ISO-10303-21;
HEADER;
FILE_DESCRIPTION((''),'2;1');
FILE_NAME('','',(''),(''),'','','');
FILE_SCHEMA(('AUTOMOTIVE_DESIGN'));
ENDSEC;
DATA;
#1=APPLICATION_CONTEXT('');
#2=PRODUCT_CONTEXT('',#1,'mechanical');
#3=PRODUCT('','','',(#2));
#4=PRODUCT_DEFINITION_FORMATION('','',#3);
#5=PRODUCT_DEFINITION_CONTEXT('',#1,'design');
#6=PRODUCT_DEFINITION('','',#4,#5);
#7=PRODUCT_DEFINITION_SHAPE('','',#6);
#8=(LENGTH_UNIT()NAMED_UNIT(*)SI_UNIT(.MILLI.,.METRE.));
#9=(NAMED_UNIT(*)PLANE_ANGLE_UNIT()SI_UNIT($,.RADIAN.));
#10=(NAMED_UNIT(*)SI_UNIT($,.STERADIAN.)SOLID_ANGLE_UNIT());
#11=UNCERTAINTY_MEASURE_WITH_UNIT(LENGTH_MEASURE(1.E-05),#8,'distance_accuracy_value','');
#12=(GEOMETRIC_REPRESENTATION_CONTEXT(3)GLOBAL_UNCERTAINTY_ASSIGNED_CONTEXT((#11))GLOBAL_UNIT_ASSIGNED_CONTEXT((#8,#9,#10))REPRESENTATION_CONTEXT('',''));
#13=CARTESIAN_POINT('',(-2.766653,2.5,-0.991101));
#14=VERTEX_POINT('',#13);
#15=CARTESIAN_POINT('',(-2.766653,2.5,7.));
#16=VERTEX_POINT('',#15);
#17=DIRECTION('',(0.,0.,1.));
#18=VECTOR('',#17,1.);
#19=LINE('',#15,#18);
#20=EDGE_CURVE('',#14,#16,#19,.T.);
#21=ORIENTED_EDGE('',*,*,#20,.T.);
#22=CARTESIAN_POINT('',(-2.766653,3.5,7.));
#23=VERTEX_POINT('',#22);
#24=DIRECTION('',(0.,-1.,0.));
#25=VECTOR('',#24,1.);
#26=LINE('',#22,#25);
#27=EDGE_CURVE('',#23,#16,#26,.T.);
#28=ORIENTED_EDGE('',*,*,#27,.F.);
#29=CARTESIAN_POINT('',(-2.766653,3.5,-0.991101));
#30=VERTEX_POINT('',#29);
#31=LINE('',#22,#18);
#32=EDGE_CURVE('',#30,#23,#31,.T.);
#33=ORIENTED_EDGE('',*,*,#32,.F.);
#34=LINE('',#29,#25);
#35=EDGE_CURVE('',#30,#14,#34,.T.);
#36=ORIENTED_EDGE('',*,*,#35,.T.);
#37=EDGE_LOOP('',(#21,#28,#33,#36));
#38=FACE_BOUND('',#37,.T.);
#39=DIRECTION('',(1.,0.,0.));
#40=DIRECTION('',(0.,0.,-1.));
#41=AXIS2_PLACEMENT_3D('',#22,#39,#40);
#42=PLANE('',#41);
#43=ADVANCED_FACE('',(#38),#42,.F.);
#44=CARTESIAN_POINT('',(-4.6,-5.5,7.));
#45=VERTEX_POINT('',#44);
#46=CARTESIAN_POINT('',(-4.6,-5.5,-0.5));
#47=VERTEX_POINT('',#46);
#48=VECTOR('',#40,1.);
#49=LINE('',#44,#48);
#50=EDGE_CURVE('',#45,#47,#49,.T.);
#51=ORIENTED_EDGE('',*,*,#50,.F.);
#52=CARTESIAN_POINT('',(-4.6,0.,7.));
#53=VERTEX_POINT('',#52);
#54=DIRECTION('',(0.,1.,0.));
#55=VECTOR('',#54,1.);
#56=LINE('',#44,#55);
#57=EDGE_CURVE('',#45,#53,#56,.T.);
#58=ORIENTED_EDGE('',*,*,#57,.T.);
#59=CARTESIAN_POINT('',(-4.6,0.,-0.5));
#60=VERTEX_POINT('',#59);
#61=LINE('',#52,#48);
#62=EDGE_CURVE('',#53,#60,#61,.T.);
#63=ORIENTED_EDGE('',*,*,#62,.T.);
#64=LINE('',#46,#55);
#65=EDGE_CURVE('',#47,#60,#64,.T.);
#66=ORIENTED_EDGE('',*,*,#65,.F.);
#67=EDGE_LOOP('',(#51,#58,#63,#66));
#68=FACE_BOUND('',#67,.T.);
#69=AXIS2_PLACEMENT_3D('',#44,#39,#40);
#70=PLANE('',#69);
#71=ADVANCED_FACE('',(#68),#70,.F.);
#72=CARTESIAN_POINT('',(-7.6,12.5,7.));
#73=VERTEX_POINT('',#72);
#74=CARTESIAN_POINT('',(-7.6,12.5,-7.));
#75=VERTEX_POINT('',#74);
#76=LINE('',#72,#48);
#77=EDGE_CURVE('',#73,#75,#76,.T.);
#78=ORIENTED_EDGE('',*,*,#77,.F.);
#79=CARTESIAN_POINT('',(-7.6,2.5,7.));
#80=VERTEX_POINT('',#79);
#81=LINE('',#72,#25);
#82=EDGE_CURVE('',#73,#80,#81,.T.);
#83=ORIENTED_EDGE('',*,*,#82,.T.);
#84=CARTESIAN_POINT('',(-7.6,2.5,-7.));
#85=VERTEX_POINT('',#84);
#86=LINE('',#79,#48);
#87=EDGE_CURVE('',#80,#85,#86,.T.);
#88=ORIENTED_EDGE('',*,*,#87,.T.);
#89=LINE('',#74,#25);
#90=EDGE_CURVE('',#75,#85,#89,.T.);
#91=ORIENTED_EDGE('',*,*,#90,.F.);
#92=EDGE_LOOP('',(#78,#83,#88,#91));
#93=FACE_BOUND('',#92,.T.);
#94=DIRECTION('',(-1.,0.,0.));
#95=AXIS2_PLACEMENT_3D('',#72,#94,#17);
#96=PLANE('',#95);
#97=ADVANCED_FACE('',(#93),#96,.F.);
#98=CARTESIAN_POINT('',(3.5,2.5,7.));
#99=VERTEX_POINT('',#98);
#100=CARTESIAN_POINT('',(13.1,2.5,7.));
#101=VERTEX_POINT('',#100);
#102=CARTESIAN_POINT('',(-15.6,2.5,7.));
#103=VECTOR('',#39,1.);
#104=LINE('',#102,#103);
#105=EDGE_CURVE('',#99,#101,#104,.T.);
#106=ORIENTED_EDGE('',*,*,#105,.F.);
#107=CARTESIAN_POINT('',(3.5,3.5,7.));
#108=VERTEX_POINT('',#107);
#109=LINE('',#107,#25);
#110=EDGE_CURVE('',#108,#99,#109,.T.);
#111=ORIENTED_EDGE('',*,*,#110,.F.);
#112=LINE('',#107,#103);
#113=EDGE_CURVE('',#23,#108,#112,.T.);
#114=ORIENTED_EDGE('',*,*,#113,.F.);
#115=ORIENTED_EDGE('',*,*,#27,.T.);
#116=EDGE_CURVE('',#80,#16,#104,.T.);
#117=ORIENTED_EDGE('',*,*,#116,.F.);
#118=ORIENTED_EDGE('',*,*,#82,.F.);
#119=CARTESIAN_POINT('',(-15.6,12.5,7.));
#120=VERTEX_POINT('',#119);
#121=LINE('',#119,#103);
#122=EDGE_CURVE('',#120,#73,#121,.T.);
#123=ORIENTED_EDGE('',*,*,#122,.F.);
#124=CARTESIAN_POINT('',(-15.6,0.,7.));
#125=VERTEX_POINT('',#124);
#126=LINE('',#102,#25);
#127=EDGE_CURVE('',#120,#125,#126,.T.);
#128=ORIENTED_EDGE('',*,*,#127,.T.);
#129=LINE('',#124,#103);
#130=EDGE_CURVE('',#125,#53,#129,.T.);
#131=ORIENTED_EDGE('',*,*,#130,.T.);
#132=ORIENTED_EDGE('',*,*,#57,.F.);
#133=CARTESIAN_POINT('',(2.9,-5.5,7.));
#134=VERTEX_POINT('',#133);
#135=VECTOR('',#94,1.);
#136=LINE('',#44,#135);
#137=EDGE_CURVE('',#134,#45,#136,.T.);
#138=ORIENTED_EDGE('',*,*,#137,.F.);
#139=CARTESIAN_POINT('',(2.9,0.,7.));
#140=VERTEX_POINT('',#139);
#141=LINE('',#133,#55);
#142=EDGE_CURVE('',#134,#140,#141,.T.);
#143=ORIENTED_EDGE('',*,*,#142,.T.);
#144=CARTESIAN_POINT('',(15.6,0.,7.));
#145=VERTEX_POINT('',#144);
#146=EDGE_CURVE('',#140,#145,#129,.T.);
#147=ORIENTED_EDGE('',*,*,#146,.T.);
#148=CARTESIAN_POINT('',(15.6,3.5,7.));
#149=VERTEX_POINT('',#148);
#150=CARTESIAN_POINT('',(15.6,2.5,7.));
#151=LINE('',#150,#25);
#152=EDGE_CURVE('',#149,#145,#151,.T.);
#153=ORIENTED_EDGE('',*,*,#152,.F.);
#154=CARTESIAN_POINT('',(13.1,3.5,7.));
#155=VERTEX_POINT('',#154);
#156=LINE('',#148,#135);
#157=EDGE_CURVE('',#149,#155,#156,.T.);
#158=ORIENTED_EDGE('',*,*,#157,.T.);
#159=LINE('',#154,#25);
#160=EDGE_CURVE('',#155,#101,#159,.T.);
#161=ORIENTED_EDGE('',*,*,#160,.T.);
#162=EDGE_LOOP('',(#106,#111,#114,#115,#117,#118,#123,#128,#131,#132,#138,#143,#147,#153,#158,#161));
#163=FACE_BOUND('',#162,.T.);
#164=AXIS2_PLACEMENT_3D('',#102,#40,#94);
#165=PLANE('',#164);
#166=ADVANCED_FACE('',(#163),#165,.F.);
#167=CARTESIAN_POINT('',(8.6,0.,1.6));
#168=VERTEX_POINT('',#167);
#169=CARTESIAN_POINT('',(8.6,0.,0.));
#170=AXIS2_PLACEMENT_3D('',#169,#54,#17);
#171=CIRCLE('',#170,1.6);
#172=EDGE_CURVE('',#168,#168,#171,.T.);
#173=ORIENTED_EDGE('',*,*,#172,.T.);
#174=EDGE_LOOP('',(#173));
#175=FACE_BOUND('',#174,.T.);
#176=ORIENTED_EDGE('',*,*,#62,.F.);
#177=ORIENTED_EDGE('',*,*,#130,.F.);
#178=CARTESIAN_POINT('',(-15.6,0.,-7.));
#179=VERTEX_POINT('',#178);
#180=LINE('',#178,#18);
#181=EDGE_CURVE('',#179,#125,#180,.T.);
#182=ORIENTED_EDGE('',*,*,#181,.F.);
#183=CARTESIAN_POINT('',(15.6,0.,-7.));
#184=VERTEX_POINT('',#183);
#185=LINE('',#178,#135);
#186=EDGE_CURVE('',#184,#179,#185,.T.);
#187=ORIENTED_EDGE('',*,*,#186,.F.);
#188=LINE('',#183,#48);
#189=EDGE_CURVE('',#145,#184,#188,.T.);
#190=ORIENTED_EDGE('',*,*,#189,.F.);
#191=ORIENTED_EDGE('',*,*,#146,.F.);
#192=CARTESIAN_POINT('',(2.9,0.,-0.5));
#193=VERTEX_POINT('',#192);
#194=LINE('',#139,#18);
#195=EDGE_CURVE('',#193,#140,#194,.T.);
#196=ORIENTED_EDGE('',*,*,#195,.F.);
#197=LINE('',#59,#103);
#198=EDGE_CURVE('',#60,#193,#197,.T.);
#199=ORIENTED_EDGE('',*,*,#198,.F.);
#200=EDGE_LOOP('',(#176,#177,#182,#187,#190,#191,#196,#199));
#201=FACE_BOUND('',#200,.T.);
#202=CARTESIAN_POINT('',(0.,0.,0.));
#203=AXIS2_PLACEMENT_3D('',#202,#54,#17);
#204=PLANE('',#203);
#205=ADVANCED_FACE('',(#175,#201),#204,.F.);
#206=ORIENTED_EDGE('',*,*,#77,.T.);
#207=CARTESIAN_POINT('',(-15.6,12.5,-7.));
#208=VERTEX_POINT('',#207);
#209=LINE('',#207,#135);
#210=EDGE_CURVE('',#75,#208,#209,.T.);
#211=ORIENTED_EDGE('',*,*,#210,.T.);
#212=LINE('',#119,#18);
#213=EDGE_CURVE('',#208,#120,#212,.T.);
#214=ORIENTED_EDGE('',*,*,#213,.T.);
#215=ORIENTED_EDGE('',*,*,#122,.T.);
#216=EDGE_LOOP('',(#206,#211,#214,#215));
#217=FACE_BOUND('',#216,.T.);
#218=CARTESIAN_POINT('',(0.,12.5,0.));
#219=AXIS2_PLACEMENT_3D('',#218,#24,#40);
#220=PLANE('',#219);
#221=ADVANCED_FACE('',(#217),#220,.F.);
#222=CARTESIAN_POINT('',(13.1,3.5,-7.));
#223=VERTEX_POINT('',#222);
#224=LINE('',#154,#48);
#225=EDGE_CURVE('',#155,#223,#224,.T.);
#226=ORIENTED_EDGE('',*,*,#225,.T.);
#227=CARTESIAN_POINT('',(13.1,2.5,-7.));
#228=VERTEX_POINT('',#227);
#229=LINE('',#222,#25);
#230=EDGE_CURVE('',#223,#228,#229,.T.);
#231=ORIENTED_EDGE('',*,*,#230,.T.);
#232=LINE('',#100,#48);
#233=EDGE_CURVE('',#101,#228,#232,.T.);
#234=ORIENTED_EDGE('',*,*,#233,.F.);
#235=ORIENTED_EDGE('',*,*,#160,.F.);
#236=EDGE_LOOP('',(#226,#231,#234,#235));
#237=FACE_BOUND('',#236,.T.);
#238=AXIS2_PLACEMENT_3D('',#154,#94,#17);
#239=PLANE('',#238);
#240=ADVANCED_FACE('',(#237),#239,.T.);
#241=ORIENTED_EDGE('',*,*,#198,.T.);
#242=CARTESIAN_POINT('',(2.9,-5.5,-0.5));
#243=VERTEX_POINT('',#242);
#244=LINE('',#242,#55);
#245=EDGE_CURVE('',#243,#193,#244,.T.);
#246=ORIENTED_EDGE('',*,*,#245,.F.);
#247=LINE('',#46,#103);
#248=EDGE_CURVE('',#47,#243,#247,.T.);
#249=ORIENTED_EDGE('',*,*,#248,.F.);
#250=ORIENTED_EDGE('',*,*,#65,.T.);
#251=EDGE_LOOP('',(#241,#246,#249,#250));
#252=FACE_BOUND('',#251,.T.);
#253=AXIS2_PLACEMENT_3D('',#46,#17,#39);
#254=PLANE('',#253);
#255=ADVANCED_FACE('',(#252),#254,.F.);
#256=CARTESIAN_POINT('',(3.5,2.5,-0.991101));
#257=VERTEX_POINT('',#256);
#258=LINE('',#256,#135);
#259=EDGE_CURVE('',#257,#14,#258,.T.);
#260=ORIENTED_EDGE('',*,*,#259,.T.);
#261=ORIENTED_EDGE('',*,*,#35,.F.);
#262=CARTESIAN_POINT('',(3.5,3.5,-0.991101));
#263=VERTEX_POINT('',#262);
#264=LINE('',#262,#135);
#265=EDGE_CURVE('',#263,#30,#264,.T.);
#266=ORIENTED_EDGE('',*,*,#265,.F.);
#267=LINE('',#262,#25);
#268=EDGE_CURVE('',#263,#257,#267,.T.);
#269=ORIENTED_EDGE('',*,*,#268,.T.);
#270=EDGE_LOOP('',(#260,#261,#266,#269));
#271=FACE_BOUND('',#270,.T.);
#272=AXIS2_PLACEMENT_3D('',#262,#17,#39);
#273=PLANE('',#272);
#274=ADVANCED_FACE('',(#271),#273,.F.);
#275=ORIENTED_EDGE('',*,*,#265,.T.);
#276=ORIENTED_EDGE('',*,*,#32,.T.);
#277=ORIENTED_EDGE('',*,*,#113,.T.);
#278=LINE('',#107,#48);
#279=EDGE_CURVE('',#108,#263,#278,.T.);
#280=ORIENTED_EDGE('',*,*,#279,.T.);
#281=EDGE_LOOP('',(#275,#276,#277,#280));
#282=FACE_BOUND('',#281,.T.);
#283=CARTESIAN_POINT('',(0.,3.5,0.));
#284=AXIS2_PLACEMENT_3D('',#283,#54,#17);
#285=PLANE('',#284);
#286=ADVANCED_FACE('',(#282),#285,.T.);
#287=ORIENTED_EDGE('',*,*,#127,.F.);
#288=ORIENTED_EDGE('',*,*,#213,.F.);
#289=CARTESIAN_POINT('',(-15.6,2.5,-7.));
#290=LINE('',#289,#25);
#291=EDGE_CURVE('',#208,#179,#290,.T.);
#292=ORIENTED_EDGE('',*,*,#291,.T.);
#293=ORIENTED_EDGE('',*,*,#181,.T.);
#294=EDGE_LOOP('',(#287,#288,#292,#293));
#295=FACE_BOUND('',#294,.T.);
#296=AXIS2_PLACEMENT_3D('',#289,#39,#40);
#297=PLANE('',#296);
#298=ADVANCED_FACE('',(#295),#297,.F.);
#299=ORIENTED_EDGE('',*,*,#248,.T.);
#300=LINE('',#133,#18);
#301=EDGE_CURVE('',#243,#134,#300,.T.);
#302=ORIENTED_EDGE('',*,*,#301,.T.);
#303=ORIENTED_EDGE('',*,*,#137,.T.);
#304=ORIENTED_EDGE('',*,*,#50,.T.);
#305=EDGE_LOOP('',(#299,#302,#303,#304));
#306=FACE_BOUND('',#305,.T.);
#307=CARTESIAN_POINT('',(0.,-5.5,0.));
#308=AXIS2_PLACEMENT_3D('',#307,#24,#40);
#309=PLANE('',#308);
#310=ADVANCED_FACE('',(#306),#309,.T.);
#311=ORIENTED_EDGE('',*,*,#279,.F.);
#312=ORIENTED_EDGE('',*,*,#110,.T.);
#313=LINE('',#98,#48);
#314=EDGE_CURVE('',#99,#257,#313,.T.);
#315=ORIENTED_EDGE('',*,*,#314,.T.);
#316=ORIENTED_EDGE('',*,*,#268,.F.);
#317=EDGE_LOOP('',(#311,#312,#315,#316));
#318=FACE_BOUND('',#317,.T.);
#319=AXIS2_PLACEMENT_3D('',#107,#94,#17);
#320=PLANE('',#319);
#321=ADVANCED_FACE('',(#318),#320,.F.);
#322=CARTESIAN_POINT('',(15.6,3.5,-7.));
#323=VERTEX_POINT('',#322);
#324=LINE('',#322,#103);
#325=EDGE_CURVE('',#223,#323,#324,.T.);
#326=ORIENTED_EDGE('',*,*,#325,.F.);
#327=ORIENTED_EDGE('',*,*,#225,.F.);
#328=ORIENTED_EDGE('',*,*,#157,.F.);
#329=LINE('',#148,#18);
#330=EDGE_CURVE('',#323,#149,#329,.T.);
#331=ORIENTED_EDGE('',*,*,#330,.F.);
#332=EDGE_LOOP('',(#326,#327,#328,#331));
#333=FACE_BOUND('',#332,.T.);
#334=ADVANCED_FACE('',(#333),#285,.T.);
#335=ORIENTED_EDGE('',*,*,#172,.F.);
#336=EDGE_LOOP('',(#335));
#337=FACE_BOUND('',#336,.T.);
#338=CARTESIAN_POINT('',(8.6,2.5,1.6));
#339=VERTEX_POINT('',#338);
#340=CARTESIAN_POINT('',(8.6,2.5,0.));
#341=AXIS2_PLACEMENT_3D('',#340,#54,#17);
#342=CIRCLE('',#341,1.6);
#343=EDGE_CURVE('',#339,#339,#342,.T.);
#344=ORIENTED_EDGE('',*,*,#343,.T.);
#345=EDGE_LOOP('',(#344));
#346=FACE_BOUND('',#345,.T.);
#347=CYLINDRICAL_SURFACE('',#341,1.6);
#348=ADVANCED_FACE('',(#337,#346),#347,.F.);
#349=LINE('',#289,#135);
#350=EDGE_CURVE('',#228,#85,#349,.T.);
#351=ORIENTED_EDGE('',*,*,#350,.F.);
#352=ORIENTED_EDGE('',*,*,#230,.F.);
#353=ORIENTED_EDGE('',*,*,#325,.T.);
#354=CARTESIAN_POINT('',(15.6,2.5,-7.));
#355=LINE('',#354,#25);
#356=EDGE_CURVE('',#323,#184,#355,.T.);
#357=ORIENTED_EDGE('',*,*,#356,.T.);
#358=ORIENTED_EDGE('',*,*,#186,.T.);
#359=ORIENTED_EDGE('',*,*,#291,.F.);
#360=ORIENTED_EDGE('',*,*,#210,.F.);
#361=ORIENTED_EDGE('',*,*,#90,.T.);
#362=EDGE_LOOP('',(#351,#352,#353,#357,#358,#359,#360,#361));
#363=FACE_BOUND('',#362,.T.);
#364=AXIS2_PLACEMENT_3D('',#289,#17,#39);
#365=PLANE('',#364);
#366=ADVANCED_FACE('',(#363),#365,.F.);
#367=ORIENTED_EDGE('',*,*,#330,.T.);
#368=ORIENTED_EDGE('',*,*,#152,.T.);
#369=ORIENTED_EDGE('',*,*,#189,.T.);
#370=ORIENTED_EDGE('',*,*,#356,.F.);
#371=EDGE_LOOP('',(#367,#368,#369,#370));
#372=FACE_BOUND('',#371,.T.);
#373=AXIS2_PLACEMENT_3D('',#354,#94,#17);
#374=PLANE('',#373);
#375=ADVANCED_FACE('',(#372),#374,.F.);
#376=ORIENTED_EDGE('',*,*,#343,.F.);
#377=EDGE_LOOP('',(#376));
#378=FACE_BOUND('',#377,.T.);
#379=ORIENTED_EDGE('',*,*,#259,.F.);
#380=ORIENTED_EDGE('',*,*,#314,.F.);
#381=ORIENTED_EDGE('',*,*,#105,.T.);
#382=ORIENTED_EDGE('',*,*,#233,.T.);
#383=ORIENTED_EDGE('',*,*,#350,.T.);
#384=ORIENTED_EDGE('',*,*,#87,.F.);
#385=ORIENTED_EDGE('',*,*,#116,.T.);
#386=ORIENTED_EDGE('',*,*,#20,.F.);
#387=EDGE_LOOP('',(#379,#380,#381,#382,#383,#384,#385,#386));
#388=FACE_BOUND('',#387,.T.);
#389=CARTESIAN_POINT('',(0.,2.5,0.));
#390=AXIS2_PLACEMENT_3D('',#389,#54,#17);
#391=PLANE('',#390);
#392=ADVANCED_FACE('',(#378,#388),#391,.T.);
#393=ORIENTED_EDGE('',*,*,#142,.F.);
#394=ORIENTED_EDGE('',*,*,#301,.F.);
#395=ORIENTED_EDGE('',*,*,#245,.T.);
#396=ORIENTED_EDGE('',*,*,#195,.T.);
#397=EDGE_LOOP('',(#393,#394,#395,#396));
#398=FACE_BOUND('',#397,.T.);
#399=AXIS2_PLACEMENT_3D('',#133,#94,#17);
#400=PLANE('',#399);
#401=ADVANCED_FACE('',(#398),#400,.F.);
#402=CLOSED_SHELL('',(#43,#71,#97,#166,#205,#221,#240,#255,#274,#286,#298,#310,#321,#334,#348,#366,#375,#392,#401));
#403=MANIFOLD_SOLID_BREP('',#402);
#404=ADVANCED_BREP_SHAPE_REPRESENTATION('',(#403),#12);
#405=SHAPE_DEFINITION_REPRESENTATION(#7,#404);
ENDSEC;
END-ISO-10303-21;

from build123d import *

# Parameters (mm, degrees)
SKETCH_1_W         = 31.2
SKETCH_1_H         = 14
EXTRUDE_1_DEPTH    = 2.5
SKETCH_2_W         = 8
SKETCH_2_H         = 14
EXTRUDE_2_DEPTH    = 10
SKETCH_3_W         = 7.5
SKETCH_3_H         = 7.5
EXTRUDE_3_DEPTH    = 5.5
HOLE_WIZARD_M3_1_D = 3.2
SKETCH_9_W         = 6.266652583
SKETCH_9_H         = 7.99110138
EXTRUDE_7_DEPTH    = 1
SKETCH_10_W        = 2.5
SKETCH_10_H        = 14
EXTRUDE_8_DEPTH    = 1


with BuildPart() as part:
    # 草图1 → 凸台-拉伸1 (new body)
    with BuildSketch(Plane(origin=(0, 0, 0), x_dir=(1, 0, 0), z_dir=(0, 1, 0))):
        Rectangle(SKETCH_1_W, SKETCH_1_H)
    extrude(amount=EXTRUDE_1_DEPTH)

    # 草图2 → 凸台-拉伸2 (add)
    with BuildSketch(Plane(origin=(0, 2.5, 0), x_dir=(1, 0, 0), z_dir=(0, 1, 0))):
        with Locations((-11.6, 0)):
            Rectangle(SKETCH_2_W, SKETCH_2_H)
    extrude(amount=EXTRUDE_2_DEPTH)

    # 草图3 → 凸台-拉伸3 (add)
    with BuildSketch(Plane.XZ):
        with Locations((-0.85, 3.25)):
            Rectangle(SKETCH_3_W, SKETCH_3_H)
    extrude(amount=EXTRUDE_3_DEPTH)

    # M3 间隙孔1 (through all)
    with Locations(Plane(origin=(0, 2.5, 0), x_dir=(1, 0, 0), z_dir=(0, 1, 0))):
        with Locations((8.6, 0)):
            Hole(HOLE_WIZARD_M3_1_D / 2)

    # 草图9 → 凸台-拉伸7 (add)
    with BuildSketch(Plane(origin=(0, 2.5, 0), x_dir=(1, 0, 0), z_dir=(0, 1, 0))):
        with Locations((0.366673708, -3.00444931)):
            Rectangle(SKETCH_9_W, SKETCH_9_H)
    extrude(amount=EXTRUDE_7_DEPTH)

    # 草图10 → 凸台-拉伸8 (add)
    with BuildSketch(Plane.XZ.offset(-2.5)):
        with Locations((14.35, 0)):
            Rectangle(SKETCH_10_W, SKETCH_10_H)
    extrude(amount=-EXTRUDE_8_DEPTH)


solid = part.part
